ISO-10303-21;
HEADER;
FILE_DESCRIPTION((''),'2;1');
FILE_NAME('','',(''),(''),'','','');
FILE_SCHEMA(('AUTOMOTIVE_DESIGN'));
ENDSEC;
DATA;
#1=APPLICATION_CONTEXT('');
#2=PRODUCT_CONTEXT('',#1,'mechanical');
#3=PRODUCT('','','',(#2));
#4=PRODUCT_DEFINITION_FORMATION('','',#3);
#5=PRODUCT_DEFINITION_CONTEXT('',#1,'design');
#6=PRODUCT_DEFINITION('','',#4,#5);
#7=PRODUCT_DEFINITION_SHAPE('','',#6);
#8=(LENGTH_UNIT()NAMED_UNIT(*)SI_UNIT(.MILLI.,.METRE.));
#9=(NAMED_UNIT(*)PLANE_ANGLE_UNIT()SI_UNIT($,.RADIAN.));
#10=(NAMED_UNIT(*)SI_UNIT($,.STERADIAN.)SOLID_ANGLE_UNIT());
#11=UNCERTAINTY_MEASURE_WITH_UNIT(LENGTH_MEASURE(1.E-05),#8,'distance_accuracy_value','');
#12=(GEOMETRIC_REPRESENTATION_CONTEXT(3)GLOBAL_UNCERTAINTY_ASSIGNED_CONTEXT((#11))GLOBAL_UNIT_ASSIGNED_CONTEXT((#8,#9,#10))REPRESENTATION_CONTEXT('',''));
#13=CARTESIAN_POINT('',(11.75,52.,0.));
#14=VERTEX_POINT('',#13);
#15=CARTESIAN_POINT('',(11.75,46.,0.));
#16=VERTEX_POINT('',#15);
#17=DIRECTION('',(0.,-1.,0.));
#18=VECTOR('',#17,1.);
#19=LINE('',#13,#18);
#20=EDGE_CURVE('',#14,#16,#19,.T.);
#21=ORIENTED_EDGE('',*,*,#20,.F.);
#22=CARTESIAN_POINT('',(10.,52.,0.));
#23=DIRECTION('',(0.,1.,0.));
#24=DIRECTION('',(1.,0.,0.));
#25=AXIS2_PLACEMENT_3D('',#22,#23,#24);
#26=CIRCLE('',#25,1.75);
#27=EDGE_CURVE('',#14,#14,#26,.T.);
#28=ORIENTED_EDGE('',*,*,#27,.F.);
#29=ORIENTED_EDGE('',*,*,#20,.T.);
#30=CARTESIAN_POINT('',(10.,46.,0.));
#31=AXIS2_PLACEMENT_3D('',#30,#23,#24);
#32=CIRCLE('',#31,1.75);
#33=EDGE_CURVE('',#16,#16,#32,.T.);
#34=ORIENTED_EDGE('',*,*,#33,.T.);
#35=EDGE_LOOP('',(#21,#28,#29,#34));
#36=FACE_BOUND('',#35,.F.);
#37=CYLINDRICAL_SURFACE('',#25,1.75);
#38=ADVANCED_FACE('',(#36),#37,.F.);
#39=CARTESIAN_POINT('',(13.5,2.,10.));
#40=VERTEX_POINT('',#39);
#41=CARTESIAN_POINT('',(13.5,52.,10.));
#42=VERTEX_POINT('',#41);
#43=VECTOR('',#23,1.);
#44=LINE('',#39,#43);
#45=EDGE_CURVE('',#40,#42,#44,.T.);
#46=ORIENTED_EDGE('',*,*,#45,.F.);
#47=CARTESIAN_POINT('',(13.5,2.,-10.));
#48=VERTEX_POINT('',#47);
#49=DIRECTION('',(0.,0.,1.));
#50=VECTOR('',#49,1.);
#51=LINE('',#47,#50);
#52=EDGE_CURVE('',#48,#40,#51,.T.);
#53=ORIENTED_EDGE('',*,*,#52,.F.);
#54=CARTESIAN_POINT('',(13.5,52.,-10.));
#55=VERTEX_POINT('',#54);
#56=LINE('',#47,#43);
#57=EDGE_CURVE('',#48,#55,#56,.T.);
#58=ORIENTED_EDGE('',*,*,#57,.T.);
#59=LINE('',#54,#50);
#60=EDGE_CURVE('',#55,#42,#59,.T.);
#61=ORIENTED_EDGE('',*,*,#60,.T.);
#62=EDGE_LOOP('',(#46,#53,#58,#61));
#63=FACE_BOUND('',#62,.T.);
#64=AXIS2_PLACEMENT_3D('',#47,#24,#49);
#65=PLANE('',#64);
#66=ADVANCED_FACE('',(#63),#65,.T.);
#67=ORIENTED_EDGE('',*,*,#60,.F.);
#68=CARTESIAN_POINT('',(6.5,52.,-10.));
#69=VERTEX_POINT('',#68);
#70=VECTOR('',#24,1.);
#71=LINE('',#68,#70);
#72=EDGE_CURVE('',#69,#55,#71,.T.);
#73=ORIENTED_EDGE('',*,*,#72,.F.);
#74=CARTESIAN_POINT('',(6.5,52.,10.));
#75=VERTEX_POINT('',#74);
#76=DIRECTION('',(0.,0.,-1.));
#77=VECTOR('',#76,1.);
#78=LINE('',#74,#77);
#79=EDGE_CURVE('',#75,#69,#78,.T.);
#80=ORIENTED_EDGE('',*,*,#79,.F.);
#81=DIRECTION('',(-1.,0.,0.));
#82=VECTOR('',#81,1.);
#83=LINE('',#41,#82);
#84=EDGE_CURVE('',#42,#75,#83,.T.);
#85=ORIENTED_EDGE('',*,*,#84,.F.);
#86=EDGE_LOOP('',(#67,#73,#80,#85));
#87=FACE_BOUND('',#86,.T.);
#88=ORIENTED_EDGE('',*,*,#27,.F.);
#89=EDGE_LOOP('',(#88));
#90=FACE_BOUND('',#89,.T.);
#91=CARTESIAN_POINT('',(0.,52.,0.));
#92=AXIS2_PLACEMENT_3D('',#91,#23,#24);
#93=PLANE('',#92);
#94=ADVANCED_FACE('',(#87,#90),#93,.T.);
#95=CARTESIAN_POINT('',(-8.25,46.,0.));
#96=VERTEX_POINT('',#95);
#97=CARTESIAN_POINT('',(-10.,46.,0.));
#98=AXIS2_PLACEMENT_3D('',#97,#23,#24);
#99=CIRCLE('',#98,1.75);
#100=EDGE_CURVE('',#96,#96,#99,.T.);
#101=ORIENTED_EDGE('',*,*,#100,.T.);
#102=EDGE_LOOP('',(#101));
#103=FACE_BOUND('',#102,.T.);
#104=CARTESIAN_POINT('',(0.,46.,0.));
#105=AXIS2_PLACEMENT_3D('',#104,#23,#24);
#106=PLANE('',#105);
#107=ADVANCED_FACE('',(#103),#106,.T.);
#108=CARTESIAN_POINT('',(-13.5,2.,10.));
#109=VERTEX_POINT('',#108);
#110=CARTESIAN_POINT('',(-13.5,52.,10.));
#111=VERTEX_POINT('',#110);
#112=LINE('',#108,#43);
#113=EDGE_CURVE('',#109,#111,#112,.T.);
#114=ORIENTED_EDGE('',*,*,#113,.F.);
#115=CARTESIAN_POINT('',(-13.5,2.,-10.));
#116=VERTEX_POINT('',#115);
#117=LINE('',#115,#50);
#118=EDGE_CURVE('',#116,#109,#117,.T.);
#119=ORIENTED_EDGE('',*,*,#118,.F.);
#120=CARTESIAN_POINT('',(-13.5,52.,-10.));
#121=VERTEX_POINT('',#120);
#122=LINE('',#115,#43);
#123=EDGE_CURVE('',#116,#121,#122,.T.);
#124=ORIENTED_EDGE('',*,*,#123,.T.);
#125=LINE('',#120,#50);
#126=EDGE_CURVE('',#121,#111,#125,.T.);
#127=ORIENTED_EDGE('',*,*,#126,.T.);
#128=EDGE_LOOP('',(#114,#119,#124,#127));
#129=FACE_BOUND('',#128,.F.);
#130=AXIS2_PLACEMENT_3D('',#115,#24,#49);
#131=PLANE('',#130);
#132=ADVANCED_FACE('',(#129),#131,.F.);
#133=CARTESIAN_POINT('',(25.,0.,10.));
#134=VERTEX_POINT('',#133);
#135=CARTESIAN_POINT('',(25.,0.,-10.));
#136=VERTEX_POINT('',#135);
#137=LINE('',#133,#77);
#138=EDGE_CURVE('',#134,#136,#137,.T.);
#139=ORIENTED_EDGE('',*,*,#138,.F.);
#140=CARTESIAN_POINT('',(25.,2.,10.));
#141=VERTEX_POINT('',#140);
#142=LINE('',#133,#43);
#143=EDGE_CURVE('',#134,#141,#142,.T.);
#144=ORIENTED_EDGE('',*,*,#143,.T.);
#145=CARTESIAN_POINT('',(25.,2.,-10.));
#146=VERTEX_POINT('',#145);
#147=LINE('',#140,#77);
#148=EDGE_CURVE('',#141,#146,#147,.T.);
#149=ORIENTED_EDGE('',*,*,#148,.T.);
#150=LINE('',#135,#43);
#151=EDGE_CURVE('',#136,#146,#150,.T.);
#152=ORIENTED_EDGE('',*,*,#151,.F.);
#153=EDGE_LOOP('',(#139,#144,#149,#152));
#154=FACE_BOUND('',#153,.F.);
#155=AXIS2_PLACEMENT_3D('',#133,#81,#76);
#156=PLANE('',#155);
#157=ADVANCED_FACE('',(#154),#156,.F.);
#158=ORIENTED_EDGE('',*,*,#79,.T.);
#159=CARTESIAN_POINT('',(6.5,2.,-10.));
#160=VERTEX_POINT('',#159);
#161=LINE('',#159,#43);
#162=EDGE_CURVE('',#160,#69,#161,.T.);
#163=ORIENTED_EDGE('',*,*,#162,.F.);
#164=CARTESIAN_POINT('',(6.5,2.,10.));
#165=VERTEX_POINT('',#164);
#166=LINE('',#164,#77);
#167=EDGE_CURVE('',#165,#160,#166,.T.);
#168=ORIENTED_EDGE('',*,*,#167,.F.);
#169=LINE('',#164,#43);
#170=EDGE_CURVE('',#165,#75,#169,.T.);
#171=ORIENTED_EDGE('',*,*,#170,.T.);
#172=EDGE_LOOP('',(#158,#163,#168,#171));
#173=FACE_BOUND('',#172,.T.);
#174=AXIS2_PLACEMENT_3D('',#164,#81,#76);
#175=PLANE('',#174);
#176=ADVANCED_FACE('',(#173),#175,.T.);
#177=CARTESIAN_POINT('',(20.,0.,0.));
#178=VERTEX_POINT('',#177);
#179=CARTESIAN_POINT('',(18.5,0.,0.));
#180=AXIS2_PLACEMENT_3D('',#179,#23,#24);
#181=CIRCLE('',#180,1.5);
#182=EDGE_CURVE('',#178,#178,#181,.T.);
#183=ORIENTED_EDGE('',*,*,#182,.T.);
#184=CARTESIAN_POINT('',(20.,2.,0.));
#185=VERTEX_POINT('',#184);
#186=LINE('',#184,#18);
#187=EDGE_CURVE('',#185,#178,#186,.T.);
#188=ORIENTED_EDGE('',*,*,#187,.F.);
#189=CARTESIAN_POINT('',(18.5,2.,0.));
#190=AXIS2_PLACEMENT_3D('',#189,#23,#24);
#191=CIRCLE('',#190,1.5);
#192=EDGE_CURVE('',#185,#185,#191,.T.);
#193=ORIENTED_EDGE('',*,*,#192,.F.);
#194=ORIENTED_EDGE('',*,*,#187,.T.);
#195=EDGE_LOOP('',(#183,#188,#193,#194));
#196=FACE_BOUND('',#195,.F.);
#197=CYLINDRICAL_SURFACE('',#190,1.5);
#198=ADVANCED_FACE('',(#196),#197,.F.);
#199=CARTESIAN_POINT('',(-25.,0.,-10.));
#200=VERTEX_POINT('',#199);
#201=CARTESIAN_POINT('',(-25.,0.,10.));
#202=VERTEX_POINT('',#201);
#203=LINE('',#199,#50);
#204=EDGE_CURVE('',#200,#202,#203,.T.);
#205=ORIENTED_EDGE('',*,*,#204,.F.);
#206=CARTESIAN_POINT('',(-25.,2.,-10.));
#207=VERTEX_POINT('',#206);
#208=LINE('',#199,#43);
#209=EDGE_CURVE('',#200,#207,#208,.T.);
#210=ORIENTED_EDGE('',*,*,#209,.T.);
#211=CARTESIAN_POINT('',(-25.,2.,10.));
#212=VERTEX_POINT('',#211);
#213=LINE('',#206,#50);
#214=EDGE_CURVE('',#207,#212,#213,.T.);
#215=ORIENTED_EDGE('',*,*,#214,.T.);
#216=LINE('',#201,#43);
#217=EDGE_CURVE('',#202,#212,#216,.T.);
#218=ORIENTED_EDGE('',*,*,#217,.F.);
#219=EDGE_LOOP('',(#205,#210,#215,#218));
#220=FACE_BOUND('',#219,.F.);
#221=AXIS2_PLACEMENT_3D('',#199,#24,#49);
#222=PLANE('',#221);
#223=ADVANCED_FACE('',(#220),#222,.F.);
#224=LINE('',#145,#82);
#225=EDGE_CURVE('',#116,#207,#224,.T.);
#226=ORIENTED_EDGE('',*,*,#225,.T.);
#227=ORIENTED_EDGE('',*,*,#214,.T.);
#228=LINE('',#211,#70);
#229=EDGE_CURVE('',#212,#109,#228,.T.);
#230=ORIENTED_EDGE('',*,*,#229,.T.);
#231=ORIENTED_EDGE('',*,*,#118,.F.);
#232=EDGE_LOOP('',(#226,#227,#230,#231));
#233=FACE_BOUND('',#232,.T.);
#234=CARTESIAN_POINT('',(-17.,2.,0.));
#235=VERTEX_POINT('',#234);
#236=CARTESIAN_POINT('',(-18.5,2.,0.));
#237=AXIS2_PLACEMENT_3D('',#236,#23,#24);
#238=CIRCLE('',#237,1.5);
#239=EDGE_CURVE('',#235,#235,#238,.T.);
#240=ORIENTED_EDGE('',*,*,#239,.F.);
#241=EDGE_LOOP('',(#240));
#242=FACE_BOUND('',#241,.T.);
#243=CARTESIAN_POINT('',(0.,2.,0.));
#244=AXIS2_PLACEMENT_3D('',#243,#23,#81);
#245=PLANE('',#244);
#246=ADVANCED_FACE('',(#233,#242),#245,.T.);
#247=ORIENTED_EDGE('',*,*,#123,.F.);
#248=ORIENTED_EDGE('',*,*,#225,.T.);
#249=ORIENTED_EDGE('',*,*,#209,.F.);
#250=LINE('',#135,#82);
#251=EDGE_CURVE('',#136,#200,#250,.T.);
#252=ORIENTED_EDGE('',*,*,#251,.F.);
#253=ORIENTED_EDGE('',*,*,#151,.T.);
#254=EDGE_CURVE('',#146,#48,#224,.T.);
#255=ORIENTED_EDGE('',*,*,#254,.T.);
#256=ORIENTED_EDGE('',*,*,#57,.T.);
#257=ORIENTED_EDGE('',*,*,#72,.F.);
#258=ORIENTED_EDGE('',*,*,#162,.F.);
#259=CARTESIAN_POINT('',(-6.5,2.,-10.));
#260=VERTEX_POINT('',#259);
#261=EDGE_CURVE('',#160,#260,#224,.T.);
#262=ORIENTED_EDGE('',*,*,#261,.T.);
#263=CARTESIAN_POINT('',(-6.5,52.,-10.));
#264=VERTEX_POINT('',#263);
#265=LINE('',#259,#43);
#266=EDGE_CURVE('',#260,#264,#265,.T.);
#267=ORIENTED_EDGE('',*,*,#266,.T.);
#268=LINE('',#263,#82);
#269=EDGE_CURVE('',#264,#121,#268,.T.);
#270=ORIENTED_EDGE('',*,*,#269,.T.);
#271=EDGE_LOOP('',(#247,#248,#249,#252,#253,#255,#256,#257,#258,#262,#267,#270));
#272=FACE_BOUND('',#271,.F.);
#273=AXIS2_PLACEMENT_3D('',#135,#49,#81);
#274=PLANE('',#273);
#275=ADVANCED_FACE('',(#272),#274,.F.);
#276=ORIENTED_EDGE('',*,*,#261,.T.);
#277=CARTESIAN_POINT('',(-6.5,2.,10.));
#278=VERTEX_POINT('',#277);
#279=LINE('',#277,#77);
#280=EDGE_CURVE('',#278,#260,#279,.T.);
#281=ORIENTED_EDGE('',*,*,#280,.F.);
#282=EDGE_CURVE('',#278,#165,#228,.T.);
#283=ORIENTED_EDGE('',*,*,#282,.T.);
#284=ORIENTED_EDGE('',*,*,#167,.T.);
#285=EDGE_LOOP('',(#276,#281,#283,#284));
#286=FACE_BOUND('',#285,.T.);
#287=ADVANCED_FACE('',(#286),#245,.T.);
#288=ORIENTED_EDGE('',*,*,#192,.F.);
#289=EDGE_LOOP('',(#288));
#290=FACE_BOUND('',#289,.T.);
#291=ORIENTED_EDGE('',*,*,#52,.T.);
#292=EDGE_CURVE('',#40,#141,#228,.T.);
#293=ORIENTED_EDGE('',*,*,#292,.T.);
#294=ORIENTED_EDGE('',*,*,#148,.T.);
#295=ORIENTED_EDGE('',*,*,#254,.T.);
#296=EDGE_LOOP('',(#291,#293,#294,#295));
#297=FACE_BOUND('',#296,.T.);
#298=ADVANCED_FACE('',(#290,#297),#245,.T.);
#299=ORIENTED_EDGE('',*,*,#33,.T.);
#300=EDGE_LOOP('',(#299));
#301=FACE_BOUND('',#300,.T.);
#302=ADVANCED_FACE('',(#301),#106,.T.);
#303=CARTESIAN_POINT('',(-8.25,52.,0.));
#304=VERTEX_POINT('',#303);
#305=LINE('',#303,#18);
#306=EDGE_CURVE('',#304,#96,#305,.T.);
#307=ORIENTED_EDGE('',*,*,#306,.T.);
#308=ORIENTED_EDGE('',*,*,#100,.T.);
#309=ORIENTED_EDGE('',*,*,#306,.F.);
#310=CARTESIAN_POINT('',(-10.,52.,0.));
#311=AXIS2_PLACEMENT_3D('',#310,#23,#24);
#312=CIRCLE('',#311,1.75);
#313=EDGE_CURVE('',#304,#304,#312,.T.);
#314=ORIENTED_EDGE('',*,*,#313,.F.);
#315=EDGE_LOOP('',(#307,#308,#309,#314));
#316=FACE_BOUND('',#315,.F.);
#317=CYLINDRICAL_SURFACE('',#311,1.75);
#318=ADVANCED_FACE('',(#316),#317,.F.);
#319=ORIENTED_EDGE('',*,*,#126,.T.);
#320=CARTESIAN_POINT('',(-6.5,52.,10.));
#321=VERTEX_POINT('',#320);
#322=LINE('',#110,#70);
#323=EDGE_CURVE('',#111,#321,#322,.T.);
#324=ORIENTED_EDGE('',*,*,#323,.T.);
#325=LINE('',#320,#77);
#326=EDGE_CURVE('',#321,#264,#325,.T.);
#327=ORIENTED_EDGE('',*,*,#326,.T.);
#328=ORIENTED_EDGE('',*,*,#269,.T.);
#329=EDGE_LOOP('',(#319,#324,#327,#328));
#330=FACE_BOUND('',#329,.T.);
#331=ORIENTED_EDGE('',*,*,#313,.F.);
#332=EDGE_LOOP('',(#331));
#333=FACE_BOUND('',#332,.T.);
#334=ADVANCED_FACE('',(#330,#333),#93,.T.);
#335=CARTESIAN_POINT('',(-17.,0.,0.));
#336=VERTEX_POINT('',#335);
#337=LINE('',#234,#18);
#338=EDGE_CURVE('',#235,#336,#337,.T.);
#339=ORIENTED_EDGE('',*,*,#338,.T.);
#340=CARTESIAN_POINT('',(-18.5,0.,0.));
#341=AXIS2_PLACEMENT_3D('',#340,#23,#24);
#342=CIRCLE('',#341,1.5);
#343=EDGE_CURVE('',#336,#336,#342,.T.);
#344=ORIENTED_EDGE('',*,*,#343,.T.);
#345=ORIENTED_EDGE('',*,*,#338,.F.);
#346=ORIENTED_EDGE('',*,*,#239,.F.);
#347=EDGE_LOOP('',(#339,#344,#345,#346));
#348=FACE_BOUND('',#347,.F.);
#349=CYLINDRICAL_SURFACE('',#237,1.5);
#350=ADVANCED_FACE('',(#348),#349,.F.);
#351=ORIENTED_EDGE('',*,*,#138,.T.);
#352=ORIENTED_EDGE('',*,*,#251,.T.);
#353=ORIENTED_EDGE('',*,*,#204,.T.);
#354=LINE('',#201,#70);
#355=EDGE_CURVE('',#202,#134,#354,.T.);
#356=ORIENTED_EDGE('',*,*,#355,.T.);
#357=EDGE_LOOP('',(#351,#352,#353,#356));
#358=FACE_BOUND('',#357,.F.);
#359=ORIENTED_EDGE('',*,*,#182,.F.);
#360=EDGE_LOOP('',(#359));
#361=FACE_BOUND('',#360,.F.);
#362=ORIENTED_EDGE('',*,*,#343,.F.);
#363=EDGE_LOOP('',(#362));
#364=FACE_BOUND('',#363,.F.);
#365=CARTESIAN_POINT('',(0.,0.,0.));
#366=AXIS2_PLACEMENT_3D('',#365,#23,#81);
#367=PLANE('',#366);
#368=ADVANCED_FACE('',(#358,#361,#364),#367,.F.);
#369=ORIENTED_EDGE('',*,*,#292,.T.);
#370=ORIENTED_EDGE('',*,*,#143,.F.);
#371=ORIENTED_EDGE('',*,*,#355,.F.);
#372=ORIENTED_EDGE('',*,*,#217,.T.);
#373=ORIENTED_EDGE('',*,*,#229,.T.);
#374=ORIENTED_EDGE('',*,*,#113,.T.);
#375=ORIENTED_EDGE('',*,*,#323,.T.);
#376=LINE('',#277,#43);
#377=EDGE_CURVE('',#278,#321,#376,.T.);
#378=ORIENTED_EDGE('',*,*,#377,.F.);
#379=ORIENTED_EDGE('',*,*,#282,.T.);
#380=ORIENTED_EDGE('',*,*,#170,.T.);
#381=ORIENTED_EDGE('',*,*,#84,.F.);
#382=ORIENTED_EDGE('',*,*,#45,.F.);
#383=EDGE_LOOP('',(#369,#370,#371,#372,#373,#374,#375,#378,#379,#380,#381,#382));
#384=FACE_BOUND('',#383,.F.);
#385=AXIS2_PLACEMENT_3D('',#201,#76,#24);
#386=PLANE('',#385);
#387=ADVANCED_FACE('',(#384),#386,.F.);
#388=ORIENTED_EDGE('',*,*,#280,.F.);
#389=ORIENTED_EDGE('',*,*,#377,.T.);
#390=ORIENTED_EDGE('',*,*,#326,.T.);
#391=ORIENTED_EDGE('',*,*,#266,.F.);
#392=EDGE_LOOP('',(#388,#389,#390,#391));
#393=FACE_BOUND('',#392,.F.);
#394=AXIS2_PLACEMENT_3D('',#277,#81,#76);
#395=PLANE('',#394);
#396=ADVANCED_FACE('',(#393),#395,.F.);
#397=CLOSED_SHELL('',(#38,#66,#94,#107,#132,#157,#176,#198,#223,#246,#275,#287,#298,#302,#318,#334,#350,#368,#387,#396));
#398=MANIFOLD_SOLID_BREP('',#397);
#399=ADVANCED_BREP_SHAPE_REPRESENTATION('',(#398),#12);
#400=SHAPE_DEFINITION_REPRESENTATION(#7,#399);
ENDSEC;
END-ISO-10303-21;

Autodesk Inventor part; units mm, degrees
ref_plane "YZ Plane" through (0, 0, 0) normal (1, 0, 0) x (0, 1, 0)
ref_plane "XZ Plane" through (0, 0, 0) normal (0, 1, 0) x (-1, 0, 0)
ref_plane "XY Plane" through (0, 0, 0) normal (0, 0, 1) x (1, 0, 0)
sketch "Sketch1" plane through (0, 0, 0) normal (0, 1, 0) x (-1, 0, 0)
  line L0 (-25, -10) -> (25, -10)
  line L1 (25, -10) -> (25, 10)
  line L2 (25, 10) -> (-25, 10)
  line L3 (-25, 10) -> (-25, -10)
  line L4 (-25, 0) -> (25, 0) construction
  line L5 (0, -10) -> (0, 10) construction
  point P0 (0, 0)
  point P1 (0, 0)
  dimension "d0" = 50
  dimension "d1" = 20
extrude "Extrusion1" add sketch "Sketch1" along normal blind 2
sketch "Sketch2" plane through (0, 2, 0) normal (0, 1, 0) x (1, 0, 0)
  line L0 (25, -10) -> (25, 10) construction
  line L1 (25, 0) -> (-30.0792, 0) construction
  line L2 (25, 10) -> (-25, 10) construction
  line L3 (0, 10) -> (0, -10) construction
  line L4 (-25, -10) -> (25, -10) construction
  circle A0 centre (18.5, 0) radius 1.5
  circle A1 centre (-18.5, 0) radius 1.5
  point P0 (0, 0)
  dimension "d4" = 3
  dimension "d5" = 37
extrude "Extrusion2" cut sketch "Sketch2" against normal blind 2
sketch "Sketch6" plane through (0, 2, 0) normal (0, 1, 0) x (1, 0, 0)
  line L0 (25, 10) -> (-25, 10) construction
  line L1 (0, 10) -> (0, -10) construction
  line L2 (-25, -10) -> (25, -10) construction
  line L3 (6.5, 10) -> (13.5, 10)
  line L4 (13.5, 10) -> (13.5, -10)
  line L5 (13.5, -10) -> (6.5, -10)
  line L6 (6.5, -10) -> (6.5, 10)
  line L7 (-6.5, 10) -> (-13.5, 10)
  line L8 (-13.5, 10) -> (-13.5, -10)
  line L9 (-13.5, -10) -> (-6.5, -10)
  line L10 (-6.5, -10) -> (-6.5, 10)
  point P0 (0, 0)
  dimension "d19" = 7
  dimension "d20" = 6.5
extrude "Extrusion5" add sketch "Sketch6" along normal blind 50
sketch "Sketch7" plane through (0, 52, 0) normal (0, 1, 0) x (1, 0, 0)
  line L0 (6.5, 10) -> (-6.5, 10) construction
  line L1 (0, 10) -> (0, -10) construction
  line L2 (-6.5, -10) -> (6.5, -10) construction
  circle A0 centre (10, 0) radius 1.75
  line L3 (13.5, -10) -> (13.5, 10) construction
  circle A1 centre (-10, 0) radius 1.75
  point P0 (0, 0)
  dimension "d23" = 3.5
  dimension "d24" = 3.5
extrude "Extrusion6" cut sketch "Sketch7" against normal blind 6
properties part number "ir_sensor_support"
